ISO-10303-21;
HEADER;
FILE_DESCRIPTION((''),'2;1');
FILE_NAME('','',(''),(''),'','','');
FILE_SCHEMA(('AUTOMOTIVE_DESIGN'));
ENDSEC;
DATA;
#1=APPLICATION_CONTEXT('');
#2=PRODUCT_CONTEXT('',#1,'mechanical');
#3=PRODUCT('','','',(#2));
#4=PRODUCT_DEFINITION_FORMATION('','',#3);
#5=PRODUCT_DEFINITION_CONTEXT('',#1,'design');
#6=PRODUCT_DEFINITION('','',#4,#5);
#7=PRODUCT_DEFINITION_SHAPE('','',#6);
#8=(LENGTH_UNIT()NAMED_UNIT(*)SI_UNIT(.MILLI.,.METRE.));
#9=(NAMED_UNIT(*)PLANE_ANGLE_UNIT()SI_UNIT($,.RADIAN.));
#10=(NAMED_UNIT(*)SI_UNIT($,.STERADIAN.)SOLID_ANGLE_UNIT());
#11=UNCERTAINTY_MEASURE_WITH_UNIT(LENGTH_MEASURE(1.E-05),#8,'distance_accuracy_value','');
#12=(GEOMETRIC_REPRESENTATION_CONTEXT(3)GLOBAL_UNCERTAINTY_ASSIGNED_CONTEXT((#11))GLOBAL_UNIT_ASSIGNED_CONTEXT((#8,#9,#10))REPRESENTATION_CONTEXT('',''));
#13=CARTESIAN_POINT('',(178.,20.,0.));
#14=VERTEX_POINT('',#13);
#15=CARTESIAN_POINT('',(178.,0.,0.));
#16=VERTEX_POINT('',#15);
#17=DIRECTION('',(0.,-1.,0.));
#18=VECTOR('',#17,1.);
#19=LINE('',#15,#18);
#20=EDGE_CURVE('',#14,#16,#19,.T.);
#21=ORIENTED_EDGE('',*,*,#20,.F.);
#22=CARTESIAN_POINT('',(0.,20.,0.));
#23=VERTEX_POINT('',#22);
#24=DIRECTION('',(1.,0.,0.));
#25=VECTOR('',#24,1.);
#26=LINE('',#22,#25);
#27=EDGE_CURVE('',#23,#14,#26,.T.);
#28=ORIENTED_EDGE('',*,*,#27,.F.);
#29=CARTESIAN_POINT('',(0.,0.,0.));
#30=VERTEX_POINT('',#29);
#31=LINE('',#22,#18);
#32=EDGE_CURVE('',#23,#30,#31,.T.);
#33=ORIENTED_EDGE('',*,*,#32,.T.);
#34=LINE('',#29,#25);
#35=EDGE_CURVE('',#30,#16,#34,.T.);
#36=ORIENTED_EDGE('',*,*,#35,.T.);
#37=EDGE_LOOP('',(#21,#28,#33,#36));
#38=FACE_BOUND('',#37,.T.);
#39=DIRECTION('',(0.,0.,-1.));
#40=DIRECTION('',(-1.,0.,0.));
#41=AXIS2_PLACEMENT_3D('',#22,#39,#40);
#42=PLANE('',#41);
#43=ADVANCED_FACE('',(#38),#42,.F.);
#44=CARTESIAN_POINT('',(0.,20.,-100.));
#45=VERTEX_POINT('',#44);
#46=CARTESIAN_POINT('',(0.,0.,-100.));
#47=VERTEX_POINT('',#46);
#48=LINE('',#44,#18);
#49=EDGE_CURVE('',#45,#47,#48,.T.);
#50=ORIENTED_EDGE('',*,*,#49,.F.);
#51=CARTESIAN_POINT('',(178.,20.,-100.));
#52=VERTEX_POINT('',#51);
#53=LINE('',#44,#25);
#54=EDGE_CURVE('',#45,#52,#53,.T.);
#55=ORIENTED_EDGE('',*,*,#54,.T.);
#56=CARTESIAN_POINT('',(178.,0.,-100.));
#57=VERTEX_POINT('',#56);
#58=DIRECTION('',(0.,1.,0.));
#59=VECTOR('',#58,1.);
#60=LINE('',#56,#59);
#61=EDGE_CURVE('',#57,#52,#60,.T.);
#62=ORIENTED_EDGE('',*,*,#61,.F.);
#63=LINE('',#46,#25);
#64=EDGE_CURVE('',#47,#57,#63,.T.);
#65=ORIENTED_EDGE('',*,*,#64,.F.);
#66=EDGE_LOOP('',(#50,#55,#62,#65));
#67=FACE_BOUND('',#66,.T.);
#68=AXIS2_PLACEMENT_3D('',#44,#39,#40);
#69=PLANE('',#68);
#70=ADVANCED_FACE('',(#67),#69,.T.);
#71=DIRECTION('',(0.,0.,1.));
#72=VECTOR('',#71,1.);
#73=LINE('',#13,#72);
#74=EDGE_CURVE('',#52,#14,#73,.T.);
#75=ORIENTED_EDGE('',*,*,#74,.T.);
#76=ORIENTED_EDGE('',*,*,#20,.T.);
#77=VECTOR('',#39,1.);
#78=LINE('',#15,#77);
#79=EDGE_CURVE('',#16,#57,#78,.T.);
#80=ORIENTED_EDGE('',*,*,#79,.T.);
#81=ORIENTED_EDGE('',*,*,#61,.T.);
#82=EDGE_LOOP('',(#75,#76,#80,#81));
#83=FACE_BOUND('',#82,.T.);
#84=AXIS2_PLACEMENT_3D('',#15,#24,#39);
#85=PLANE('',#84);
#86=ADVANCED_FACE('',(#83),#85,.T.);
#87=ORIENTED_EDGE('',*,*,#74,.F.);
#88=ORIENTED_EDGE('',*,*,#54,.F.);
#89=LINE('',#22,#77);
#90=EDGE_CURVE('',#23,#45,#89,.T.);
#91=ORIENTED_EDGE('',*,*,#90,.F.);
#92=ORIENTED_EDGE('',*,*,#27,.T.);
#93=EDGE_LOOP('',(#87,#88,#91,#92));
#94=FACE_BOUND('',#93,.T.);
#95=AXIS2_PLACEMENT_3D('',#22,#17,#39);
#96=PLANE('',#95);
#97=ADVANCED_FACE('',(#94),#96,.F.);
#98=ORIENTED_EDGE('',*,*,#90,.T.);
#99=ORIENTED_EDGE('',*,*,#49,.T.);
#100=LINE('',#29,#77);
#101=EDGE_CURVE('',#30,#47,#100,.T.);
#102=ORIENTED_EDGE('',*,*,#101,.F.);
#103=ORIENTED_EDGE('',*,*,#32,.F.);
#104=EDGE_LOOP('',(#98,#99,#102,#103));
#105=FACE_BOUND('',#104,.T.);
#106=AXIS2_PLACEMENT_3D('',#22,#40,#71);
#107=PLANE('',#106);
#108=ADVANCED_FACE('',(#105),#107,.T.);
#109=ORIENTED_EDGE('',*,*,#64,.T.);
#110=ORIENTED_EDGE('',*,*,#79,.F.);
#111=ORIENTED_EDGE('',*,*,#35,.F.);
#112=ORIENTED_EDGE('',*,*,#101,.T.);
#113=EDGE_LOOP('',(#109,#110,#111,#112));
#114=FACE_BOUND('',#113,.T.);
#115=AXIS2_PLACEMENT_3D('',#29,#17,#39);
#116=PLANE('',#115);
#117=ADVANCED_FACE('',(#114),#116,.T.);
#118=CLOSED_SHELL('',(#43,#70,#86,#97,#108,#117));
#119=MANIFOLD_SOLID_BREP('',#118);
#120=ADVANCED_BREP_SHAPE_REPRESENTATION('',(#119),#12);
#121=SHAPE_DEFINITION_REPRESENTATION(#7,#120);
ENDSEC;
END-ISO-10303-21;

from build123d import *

# Parameters (mm, degrees)
SKETCH_1_W          = 180
SKETCH_1_H          = 100
EXTRUDE_2_DEPTH     = 20
SKETCH_4_W          = 100
SKETCH_4_H          = 20
CUT_EXTRUDE_3_DEPTH = 2


with BuildPart() as part:
    # 草图1 → 凸台-拉伸2 (new body)
    with BuildSketch(Plane(origin=(0, 0, 0), x_dir=(1, 0, 0), z_dir=(0, 1, 0))):
        with Locations((90, 50)):
            Rectangle(SKETCH_1_W, SKETCH_1_H)
    extrude(amount=EXTRUDE_2_DEPTH)

    # 草图4 → 切除-拉伸3 (cut)
    with BuildSketch(Plane(origin=(180, 0, 0), x_dir=(0, 0, -1), z_dir=(1, 0, 0))):
        with Locations((50, 10)):
            Rectangle(SKETCH_4_W, SKETCH_4_H)
    extrude(amount=-CUT_EXTRUDE_3_DEPTH, mode=Mode.SUBTRACT)


solid = part.part
